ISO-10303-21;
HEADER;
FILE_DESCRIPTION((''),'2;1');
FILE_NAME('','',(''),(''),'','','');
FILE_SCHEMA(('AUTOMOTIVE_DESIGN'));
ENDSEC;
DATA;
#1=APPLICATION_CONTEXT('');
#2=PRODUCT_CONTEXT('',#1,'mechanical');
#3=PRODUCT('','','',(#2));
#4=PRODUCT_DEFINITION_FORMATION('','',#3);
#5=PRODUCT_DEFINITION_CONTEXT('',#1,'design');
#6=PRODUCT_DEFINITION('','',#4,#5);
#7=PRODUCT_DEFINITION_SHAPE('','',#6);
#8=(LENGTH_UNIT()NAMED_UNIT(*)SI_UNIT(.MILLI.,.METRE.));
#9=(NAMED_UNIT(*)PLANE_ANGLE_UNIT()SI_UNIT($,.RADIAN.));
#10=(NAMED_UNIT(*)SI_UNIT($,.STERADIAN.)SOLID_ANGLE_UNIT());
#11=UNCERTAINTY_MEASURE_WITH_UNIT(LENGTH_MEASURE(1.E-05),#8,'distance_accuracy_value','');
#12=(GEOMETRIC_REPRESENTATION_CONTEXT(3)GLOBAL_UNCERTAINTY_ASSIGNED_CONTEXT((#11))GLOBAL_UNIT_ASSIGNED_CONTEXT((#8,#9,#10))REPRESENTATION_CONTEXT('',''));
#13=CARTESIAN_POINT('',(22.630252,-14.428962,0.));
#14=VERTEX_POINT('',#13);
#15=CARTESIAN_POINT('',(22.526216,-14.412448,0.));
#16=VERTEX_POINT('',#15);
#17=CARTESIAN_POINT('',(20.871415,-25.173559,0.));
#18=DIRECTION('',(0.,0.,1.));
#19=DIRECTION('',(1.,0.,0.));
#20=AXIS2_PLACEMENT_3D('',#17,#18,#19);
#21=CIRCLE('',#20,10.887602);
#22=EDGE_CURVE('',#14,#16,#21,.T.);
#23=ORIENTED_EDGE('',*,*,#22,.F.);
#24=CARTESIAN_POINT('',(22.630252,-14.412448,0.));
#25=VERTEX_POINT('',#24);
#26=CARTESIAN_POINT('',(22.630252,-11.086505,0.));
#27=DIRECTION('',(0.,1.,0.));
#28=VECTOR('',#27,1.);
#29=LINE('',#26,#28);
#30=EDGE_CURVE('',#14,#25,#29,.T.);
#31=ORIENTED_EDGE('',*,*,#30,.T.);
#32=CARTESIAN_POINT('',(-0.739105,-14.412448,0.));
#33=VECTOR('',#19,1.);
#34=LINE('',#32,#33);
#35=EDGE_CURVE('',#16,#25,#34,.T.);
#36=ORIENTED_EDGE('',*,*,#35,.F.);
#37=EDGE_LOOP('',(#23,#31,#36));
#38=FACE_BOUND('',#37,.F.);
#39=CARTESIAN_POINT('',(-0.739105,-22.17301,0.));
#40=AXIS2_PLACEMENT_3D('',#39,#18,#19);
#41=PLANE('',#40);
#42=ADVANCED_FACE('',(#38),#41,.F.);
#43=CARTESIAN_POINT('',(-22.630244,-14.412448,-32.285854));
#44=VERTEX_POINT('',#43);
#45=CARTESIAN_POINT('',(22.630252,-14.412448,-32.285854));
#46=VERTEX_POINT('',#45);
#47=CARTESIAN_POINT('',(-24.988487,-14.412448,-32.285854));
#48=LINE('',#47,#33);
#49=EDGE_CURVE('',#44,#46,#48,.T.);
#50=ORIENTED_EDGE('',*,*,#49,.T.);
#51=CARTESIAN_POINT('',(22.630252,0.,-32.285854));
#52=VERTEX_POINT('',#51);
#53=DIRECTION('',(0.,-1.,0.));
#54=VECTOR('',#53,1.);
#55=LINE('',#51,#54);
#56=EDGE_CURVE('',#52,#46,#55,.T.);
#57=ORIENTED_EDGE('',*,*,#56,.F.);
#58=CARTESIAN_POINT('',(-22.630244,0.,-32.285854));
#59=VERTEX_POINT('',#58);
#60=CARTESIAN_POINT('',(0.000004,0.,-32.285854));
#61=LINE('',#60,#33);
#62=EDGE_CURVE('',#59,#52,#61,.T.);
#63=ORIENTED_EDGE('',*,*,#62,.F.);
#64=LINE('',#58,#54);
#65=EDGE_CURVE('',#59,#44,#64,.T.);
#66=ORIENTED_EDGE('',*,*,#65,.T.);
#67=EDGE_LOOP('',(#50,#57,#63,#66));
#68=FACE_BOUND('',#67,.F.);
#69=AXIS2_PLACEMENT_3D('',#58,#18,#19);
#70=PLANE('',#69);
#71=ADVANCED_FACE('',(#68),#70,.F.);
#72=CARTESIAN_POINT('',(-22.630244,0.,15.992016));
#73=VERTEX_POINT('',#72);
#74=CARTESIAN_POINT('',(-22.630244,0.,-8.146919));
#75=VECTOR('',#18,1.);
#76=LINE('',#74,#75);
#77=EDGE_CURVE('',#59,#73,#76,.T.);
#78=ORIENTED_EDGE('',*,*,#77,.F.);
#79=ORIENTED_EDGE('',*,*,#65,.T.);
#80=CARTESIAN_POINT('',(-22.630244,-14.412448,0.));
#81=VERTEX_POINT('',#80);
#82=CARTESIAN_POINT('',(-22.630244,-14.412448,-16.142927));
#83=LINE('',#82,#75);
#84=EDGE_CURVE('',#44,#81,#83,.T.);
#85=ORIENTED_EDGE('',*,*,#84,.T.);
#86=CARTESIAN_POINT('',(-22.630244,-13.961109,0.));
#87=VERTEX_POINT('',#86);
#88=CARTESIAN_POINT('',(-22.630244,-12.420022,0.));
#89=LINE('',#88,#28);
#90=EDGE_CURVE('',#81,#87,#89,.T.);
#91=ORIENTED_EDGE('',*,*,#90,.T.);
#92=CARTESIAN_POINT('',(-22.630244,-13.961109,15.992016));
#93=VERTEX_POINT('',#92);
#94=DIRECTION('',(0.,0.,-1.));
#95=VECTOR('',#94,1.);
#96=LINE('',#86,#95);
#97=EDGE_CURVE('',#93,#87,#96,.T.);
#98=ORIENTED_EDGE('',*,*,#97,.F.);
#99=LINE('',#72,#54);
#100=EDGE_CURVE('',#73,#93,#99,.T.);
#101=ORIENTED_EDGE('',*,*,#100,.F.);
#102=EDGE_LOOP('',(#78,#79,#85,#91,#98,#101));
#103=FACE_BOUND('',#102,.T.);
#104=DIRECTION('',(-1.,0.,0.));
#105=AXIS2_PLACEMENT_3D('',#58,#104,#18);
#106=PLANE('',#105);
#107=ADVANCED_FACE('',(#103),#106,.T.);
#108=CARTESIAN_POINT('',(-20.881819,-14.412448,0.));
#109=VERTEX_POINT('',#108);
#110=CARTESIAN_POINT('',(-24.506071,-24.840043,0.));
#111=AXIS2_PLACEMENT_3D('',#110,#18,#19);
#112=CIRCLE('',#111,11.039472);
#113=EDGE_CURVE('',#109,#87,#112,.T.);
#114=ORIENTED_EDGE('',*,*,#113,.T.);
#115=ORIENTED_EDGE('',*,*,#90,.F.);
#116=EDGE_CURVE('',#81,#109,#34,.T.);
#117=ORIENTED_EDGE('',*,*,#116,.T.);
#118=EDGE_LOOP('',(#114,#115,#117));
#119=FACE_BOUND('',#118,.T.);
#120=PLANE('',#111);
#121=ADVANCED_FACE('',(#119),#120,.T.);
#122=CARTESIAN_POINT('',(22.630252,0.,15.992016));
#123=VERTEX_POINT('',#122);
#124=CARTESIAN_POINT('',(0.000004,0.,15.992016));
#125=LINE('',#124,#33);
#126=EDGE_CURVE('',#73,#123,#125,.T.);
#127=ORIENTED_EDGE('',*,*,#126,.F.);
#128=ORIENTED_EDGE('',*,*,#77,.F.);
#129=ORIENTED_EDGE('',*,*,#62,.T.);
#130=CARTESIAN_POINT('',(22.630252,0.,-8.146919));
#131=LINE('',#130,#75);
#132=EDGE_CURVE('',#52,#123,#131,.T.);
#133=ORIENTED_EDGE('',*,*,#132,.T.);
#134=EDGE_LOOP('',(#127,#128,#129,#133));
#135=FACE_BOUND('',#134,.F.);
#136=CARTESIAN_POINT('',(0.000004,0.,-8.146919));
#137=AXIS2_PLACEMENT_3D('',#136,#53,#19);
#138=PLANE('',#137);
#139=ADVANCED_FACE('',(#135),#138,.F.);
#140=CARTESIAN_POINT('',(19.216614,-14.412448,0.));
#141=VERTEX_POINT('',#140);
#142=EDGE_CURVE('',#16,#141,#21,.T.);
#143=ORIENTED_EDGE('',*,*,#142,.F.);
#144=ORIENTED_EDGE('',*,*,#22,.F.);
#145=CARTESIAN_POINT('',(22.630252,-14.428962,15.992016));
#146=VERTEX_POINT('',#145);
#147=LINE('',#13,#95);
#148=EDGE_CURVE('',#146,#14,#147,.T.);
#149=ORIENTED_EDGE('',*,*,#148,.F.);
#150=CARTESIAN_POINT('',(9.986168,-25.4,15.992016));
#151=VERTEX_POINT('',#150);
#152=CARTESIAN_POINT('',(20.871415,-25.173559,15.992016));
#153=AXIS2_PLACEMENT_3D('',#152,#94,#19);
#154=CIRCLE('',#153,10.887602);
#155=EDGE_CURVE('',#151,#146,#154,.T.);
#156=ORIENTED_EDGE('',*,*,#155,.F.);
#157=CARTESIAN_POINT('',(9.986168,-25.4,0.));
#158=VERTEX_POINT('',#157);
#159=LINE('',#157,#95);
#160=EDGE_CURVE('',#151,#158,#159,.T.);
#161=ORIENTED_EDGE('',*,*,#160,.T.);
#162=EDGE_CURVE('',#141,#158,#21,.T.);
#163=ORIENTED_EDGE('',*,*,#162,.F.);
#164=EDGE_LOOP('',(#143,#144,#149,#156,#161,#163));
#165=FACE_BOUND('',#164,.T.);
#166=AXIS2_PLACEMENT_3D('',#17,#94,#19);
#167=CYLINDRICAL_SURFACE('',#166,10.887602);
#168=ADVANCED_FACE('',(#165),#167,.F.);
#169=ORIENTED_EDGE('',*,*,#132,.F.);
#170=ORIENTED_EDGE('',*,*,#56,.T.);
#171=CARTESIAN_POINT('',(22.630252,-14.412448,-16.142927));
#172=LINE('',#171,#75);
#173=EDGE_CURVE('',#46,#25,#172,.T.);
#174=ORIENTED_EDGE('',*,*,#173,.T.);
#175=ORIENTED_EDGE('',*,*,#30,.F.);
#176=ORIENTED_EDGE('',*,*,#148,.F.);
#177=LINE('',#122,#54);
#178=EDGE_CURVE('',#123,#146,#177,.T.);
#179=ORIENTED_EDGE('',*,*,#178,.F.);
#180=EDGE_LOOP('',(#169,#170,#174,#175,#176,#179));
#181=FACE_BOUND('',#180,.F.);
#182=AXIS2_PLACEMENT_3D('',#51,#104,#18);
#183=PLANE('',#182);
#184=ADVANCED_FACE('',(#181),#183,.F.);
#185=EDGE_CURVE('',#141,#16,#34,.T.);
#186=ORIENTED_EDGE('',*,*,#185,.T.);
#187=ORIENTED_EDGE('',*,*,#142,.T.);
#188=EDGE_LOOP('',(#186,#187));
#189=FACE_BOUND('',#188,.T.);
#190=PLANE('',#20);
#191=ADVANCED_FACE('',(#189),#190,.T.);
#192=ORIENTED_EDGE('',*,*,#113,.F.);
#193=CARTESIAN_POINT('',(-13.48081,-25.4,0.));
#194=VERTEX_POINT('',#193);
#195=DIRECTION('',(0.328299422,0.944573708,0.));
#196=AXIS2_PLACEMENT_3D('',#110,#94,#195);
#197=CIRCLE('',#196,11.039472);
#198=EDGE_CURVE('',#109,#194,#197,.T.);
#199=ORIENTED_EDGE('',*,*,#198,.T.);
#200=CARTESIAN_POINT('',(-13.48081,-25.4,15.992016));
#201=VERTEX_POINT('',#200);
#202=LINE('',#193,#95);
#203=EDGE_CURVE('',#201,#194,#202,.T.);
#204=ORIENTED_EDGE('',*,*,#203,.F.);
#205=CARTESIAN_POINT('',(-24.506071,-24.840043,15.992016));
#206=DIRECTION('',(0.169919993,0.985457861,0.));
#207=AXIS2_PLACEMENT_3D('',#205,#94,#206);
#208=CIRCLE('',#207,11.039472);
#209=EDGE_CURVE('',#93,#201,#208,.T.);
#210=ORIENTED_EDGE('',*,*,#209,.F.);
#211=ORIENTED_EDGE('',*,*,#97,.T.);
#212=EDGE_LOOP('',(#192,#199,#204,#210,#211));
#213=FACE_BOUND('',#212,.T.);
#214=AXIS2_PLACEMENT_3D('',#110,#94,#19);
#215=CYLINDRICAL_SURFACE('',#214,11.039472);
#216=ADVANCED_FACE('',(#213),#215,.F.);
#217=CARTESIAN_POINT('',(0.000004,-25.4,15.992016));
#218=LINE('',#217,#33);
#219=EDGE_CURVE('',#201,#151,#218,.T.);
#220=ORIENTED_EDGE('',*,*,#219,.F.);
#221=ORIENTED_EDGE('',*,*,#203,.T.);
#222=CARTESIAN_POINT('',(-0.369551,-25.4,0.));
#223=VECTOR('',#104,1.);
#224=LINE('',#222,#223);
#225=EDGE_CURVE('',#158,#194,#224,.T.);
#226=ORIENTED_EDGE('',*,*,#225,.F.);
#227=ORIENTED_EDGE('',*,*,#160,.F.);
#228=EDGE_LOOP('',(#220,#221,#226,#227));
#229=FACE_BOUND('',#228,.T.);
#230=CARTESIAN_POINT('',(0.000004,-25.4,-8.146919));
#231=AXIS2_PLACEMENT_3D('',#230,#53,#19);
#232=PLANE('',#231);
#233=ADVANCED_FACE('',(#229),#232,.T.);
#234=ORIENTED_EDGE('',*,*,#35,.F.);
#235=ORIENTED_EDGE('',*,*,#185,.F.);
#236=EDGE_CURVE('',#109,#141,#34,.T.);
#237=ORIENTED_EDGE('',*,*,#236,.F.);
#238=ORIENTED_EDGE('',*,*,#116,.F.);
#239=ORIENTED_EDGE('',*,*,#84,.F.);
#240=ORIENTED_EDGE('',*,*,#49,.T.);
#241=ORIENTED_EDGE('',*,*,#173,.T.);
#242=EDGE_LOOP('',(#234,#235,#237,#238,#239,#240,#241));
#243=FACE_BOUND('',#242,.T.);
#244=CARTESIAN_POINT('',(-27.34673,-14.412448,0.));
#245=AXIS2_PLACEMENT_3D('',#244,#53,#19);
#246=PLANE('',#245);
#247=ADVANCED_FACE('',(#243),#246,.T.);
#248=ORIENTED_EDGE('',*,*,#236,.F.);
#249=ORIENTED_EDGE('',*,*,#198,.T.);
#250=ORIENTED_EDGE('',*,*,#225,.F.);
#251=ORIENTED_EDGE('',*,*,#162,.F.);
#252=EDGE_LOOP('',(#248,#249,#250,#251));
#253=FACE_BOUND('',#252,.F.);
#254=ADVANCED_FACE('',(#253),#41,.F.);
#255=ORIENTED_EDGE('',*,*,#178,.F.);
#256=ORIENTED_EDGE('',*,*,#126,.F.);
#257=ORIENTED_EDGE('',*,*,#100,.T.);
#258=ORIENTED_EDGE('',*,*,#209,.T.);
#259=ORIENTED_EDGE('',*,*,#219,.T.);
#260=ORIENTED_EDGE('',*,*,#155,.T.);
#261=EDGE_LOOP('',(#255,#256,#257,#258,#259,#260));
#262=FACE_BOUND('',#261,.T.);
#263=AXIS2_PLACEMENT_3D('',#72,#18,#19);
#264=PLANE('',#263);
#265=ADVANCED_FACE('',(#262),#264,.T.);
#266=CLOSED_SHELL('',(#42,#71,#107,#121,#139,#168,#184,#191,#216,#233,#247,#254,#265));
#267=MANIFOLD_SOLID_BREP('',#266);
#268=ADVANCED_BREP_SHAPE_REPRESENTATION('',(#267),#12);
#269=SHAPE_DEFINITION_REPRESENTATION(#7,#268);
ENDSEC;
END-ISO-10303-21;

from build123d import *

# Parameters (mm, degrees)
F0_W     = 45.260496
F0_H     = 48.27787
F1_DEPTH = 25.4
F2_W     = 53.21525
F2_H     = 15.521124
F3_DEPTH = 39.375179
F4_R     = 10.887602
F4_R_2   = 11.039472
F5_DEPTH = 23.324139


with BuildPart() as f1:
    # F0 (on Front) → F1 (new body)
    with BuildSketch(Plane.XZ):
        with Locations((4e-06, -8.146919)):
            Rectangle(F0_W, F0_H)
    extrude(amount=F1_DEPTH)

    # F2 (on Top) → F3 (cut)
    with BuildSketch(Plane.XY):
        with Locations((-0.739105, -22.17301)):
            Rectangle(F2_W, F2_H)
    extrude(amount=-F3_DEPTH, mode=Mode.SUBTRACT)

    # F4 (on Top) → F5 (cut)
    with BuildSketch(Plane.XY):
        with Locations((20.871415, -25.173559)):
            Circle(F4_R)
        with Locations((-24.506071, -24.840043)):
            Circle(F4_R_2)
    extrude(amount=F5_DEPTH, mode=Mode.SUBTRACT)


solid = f1.part
